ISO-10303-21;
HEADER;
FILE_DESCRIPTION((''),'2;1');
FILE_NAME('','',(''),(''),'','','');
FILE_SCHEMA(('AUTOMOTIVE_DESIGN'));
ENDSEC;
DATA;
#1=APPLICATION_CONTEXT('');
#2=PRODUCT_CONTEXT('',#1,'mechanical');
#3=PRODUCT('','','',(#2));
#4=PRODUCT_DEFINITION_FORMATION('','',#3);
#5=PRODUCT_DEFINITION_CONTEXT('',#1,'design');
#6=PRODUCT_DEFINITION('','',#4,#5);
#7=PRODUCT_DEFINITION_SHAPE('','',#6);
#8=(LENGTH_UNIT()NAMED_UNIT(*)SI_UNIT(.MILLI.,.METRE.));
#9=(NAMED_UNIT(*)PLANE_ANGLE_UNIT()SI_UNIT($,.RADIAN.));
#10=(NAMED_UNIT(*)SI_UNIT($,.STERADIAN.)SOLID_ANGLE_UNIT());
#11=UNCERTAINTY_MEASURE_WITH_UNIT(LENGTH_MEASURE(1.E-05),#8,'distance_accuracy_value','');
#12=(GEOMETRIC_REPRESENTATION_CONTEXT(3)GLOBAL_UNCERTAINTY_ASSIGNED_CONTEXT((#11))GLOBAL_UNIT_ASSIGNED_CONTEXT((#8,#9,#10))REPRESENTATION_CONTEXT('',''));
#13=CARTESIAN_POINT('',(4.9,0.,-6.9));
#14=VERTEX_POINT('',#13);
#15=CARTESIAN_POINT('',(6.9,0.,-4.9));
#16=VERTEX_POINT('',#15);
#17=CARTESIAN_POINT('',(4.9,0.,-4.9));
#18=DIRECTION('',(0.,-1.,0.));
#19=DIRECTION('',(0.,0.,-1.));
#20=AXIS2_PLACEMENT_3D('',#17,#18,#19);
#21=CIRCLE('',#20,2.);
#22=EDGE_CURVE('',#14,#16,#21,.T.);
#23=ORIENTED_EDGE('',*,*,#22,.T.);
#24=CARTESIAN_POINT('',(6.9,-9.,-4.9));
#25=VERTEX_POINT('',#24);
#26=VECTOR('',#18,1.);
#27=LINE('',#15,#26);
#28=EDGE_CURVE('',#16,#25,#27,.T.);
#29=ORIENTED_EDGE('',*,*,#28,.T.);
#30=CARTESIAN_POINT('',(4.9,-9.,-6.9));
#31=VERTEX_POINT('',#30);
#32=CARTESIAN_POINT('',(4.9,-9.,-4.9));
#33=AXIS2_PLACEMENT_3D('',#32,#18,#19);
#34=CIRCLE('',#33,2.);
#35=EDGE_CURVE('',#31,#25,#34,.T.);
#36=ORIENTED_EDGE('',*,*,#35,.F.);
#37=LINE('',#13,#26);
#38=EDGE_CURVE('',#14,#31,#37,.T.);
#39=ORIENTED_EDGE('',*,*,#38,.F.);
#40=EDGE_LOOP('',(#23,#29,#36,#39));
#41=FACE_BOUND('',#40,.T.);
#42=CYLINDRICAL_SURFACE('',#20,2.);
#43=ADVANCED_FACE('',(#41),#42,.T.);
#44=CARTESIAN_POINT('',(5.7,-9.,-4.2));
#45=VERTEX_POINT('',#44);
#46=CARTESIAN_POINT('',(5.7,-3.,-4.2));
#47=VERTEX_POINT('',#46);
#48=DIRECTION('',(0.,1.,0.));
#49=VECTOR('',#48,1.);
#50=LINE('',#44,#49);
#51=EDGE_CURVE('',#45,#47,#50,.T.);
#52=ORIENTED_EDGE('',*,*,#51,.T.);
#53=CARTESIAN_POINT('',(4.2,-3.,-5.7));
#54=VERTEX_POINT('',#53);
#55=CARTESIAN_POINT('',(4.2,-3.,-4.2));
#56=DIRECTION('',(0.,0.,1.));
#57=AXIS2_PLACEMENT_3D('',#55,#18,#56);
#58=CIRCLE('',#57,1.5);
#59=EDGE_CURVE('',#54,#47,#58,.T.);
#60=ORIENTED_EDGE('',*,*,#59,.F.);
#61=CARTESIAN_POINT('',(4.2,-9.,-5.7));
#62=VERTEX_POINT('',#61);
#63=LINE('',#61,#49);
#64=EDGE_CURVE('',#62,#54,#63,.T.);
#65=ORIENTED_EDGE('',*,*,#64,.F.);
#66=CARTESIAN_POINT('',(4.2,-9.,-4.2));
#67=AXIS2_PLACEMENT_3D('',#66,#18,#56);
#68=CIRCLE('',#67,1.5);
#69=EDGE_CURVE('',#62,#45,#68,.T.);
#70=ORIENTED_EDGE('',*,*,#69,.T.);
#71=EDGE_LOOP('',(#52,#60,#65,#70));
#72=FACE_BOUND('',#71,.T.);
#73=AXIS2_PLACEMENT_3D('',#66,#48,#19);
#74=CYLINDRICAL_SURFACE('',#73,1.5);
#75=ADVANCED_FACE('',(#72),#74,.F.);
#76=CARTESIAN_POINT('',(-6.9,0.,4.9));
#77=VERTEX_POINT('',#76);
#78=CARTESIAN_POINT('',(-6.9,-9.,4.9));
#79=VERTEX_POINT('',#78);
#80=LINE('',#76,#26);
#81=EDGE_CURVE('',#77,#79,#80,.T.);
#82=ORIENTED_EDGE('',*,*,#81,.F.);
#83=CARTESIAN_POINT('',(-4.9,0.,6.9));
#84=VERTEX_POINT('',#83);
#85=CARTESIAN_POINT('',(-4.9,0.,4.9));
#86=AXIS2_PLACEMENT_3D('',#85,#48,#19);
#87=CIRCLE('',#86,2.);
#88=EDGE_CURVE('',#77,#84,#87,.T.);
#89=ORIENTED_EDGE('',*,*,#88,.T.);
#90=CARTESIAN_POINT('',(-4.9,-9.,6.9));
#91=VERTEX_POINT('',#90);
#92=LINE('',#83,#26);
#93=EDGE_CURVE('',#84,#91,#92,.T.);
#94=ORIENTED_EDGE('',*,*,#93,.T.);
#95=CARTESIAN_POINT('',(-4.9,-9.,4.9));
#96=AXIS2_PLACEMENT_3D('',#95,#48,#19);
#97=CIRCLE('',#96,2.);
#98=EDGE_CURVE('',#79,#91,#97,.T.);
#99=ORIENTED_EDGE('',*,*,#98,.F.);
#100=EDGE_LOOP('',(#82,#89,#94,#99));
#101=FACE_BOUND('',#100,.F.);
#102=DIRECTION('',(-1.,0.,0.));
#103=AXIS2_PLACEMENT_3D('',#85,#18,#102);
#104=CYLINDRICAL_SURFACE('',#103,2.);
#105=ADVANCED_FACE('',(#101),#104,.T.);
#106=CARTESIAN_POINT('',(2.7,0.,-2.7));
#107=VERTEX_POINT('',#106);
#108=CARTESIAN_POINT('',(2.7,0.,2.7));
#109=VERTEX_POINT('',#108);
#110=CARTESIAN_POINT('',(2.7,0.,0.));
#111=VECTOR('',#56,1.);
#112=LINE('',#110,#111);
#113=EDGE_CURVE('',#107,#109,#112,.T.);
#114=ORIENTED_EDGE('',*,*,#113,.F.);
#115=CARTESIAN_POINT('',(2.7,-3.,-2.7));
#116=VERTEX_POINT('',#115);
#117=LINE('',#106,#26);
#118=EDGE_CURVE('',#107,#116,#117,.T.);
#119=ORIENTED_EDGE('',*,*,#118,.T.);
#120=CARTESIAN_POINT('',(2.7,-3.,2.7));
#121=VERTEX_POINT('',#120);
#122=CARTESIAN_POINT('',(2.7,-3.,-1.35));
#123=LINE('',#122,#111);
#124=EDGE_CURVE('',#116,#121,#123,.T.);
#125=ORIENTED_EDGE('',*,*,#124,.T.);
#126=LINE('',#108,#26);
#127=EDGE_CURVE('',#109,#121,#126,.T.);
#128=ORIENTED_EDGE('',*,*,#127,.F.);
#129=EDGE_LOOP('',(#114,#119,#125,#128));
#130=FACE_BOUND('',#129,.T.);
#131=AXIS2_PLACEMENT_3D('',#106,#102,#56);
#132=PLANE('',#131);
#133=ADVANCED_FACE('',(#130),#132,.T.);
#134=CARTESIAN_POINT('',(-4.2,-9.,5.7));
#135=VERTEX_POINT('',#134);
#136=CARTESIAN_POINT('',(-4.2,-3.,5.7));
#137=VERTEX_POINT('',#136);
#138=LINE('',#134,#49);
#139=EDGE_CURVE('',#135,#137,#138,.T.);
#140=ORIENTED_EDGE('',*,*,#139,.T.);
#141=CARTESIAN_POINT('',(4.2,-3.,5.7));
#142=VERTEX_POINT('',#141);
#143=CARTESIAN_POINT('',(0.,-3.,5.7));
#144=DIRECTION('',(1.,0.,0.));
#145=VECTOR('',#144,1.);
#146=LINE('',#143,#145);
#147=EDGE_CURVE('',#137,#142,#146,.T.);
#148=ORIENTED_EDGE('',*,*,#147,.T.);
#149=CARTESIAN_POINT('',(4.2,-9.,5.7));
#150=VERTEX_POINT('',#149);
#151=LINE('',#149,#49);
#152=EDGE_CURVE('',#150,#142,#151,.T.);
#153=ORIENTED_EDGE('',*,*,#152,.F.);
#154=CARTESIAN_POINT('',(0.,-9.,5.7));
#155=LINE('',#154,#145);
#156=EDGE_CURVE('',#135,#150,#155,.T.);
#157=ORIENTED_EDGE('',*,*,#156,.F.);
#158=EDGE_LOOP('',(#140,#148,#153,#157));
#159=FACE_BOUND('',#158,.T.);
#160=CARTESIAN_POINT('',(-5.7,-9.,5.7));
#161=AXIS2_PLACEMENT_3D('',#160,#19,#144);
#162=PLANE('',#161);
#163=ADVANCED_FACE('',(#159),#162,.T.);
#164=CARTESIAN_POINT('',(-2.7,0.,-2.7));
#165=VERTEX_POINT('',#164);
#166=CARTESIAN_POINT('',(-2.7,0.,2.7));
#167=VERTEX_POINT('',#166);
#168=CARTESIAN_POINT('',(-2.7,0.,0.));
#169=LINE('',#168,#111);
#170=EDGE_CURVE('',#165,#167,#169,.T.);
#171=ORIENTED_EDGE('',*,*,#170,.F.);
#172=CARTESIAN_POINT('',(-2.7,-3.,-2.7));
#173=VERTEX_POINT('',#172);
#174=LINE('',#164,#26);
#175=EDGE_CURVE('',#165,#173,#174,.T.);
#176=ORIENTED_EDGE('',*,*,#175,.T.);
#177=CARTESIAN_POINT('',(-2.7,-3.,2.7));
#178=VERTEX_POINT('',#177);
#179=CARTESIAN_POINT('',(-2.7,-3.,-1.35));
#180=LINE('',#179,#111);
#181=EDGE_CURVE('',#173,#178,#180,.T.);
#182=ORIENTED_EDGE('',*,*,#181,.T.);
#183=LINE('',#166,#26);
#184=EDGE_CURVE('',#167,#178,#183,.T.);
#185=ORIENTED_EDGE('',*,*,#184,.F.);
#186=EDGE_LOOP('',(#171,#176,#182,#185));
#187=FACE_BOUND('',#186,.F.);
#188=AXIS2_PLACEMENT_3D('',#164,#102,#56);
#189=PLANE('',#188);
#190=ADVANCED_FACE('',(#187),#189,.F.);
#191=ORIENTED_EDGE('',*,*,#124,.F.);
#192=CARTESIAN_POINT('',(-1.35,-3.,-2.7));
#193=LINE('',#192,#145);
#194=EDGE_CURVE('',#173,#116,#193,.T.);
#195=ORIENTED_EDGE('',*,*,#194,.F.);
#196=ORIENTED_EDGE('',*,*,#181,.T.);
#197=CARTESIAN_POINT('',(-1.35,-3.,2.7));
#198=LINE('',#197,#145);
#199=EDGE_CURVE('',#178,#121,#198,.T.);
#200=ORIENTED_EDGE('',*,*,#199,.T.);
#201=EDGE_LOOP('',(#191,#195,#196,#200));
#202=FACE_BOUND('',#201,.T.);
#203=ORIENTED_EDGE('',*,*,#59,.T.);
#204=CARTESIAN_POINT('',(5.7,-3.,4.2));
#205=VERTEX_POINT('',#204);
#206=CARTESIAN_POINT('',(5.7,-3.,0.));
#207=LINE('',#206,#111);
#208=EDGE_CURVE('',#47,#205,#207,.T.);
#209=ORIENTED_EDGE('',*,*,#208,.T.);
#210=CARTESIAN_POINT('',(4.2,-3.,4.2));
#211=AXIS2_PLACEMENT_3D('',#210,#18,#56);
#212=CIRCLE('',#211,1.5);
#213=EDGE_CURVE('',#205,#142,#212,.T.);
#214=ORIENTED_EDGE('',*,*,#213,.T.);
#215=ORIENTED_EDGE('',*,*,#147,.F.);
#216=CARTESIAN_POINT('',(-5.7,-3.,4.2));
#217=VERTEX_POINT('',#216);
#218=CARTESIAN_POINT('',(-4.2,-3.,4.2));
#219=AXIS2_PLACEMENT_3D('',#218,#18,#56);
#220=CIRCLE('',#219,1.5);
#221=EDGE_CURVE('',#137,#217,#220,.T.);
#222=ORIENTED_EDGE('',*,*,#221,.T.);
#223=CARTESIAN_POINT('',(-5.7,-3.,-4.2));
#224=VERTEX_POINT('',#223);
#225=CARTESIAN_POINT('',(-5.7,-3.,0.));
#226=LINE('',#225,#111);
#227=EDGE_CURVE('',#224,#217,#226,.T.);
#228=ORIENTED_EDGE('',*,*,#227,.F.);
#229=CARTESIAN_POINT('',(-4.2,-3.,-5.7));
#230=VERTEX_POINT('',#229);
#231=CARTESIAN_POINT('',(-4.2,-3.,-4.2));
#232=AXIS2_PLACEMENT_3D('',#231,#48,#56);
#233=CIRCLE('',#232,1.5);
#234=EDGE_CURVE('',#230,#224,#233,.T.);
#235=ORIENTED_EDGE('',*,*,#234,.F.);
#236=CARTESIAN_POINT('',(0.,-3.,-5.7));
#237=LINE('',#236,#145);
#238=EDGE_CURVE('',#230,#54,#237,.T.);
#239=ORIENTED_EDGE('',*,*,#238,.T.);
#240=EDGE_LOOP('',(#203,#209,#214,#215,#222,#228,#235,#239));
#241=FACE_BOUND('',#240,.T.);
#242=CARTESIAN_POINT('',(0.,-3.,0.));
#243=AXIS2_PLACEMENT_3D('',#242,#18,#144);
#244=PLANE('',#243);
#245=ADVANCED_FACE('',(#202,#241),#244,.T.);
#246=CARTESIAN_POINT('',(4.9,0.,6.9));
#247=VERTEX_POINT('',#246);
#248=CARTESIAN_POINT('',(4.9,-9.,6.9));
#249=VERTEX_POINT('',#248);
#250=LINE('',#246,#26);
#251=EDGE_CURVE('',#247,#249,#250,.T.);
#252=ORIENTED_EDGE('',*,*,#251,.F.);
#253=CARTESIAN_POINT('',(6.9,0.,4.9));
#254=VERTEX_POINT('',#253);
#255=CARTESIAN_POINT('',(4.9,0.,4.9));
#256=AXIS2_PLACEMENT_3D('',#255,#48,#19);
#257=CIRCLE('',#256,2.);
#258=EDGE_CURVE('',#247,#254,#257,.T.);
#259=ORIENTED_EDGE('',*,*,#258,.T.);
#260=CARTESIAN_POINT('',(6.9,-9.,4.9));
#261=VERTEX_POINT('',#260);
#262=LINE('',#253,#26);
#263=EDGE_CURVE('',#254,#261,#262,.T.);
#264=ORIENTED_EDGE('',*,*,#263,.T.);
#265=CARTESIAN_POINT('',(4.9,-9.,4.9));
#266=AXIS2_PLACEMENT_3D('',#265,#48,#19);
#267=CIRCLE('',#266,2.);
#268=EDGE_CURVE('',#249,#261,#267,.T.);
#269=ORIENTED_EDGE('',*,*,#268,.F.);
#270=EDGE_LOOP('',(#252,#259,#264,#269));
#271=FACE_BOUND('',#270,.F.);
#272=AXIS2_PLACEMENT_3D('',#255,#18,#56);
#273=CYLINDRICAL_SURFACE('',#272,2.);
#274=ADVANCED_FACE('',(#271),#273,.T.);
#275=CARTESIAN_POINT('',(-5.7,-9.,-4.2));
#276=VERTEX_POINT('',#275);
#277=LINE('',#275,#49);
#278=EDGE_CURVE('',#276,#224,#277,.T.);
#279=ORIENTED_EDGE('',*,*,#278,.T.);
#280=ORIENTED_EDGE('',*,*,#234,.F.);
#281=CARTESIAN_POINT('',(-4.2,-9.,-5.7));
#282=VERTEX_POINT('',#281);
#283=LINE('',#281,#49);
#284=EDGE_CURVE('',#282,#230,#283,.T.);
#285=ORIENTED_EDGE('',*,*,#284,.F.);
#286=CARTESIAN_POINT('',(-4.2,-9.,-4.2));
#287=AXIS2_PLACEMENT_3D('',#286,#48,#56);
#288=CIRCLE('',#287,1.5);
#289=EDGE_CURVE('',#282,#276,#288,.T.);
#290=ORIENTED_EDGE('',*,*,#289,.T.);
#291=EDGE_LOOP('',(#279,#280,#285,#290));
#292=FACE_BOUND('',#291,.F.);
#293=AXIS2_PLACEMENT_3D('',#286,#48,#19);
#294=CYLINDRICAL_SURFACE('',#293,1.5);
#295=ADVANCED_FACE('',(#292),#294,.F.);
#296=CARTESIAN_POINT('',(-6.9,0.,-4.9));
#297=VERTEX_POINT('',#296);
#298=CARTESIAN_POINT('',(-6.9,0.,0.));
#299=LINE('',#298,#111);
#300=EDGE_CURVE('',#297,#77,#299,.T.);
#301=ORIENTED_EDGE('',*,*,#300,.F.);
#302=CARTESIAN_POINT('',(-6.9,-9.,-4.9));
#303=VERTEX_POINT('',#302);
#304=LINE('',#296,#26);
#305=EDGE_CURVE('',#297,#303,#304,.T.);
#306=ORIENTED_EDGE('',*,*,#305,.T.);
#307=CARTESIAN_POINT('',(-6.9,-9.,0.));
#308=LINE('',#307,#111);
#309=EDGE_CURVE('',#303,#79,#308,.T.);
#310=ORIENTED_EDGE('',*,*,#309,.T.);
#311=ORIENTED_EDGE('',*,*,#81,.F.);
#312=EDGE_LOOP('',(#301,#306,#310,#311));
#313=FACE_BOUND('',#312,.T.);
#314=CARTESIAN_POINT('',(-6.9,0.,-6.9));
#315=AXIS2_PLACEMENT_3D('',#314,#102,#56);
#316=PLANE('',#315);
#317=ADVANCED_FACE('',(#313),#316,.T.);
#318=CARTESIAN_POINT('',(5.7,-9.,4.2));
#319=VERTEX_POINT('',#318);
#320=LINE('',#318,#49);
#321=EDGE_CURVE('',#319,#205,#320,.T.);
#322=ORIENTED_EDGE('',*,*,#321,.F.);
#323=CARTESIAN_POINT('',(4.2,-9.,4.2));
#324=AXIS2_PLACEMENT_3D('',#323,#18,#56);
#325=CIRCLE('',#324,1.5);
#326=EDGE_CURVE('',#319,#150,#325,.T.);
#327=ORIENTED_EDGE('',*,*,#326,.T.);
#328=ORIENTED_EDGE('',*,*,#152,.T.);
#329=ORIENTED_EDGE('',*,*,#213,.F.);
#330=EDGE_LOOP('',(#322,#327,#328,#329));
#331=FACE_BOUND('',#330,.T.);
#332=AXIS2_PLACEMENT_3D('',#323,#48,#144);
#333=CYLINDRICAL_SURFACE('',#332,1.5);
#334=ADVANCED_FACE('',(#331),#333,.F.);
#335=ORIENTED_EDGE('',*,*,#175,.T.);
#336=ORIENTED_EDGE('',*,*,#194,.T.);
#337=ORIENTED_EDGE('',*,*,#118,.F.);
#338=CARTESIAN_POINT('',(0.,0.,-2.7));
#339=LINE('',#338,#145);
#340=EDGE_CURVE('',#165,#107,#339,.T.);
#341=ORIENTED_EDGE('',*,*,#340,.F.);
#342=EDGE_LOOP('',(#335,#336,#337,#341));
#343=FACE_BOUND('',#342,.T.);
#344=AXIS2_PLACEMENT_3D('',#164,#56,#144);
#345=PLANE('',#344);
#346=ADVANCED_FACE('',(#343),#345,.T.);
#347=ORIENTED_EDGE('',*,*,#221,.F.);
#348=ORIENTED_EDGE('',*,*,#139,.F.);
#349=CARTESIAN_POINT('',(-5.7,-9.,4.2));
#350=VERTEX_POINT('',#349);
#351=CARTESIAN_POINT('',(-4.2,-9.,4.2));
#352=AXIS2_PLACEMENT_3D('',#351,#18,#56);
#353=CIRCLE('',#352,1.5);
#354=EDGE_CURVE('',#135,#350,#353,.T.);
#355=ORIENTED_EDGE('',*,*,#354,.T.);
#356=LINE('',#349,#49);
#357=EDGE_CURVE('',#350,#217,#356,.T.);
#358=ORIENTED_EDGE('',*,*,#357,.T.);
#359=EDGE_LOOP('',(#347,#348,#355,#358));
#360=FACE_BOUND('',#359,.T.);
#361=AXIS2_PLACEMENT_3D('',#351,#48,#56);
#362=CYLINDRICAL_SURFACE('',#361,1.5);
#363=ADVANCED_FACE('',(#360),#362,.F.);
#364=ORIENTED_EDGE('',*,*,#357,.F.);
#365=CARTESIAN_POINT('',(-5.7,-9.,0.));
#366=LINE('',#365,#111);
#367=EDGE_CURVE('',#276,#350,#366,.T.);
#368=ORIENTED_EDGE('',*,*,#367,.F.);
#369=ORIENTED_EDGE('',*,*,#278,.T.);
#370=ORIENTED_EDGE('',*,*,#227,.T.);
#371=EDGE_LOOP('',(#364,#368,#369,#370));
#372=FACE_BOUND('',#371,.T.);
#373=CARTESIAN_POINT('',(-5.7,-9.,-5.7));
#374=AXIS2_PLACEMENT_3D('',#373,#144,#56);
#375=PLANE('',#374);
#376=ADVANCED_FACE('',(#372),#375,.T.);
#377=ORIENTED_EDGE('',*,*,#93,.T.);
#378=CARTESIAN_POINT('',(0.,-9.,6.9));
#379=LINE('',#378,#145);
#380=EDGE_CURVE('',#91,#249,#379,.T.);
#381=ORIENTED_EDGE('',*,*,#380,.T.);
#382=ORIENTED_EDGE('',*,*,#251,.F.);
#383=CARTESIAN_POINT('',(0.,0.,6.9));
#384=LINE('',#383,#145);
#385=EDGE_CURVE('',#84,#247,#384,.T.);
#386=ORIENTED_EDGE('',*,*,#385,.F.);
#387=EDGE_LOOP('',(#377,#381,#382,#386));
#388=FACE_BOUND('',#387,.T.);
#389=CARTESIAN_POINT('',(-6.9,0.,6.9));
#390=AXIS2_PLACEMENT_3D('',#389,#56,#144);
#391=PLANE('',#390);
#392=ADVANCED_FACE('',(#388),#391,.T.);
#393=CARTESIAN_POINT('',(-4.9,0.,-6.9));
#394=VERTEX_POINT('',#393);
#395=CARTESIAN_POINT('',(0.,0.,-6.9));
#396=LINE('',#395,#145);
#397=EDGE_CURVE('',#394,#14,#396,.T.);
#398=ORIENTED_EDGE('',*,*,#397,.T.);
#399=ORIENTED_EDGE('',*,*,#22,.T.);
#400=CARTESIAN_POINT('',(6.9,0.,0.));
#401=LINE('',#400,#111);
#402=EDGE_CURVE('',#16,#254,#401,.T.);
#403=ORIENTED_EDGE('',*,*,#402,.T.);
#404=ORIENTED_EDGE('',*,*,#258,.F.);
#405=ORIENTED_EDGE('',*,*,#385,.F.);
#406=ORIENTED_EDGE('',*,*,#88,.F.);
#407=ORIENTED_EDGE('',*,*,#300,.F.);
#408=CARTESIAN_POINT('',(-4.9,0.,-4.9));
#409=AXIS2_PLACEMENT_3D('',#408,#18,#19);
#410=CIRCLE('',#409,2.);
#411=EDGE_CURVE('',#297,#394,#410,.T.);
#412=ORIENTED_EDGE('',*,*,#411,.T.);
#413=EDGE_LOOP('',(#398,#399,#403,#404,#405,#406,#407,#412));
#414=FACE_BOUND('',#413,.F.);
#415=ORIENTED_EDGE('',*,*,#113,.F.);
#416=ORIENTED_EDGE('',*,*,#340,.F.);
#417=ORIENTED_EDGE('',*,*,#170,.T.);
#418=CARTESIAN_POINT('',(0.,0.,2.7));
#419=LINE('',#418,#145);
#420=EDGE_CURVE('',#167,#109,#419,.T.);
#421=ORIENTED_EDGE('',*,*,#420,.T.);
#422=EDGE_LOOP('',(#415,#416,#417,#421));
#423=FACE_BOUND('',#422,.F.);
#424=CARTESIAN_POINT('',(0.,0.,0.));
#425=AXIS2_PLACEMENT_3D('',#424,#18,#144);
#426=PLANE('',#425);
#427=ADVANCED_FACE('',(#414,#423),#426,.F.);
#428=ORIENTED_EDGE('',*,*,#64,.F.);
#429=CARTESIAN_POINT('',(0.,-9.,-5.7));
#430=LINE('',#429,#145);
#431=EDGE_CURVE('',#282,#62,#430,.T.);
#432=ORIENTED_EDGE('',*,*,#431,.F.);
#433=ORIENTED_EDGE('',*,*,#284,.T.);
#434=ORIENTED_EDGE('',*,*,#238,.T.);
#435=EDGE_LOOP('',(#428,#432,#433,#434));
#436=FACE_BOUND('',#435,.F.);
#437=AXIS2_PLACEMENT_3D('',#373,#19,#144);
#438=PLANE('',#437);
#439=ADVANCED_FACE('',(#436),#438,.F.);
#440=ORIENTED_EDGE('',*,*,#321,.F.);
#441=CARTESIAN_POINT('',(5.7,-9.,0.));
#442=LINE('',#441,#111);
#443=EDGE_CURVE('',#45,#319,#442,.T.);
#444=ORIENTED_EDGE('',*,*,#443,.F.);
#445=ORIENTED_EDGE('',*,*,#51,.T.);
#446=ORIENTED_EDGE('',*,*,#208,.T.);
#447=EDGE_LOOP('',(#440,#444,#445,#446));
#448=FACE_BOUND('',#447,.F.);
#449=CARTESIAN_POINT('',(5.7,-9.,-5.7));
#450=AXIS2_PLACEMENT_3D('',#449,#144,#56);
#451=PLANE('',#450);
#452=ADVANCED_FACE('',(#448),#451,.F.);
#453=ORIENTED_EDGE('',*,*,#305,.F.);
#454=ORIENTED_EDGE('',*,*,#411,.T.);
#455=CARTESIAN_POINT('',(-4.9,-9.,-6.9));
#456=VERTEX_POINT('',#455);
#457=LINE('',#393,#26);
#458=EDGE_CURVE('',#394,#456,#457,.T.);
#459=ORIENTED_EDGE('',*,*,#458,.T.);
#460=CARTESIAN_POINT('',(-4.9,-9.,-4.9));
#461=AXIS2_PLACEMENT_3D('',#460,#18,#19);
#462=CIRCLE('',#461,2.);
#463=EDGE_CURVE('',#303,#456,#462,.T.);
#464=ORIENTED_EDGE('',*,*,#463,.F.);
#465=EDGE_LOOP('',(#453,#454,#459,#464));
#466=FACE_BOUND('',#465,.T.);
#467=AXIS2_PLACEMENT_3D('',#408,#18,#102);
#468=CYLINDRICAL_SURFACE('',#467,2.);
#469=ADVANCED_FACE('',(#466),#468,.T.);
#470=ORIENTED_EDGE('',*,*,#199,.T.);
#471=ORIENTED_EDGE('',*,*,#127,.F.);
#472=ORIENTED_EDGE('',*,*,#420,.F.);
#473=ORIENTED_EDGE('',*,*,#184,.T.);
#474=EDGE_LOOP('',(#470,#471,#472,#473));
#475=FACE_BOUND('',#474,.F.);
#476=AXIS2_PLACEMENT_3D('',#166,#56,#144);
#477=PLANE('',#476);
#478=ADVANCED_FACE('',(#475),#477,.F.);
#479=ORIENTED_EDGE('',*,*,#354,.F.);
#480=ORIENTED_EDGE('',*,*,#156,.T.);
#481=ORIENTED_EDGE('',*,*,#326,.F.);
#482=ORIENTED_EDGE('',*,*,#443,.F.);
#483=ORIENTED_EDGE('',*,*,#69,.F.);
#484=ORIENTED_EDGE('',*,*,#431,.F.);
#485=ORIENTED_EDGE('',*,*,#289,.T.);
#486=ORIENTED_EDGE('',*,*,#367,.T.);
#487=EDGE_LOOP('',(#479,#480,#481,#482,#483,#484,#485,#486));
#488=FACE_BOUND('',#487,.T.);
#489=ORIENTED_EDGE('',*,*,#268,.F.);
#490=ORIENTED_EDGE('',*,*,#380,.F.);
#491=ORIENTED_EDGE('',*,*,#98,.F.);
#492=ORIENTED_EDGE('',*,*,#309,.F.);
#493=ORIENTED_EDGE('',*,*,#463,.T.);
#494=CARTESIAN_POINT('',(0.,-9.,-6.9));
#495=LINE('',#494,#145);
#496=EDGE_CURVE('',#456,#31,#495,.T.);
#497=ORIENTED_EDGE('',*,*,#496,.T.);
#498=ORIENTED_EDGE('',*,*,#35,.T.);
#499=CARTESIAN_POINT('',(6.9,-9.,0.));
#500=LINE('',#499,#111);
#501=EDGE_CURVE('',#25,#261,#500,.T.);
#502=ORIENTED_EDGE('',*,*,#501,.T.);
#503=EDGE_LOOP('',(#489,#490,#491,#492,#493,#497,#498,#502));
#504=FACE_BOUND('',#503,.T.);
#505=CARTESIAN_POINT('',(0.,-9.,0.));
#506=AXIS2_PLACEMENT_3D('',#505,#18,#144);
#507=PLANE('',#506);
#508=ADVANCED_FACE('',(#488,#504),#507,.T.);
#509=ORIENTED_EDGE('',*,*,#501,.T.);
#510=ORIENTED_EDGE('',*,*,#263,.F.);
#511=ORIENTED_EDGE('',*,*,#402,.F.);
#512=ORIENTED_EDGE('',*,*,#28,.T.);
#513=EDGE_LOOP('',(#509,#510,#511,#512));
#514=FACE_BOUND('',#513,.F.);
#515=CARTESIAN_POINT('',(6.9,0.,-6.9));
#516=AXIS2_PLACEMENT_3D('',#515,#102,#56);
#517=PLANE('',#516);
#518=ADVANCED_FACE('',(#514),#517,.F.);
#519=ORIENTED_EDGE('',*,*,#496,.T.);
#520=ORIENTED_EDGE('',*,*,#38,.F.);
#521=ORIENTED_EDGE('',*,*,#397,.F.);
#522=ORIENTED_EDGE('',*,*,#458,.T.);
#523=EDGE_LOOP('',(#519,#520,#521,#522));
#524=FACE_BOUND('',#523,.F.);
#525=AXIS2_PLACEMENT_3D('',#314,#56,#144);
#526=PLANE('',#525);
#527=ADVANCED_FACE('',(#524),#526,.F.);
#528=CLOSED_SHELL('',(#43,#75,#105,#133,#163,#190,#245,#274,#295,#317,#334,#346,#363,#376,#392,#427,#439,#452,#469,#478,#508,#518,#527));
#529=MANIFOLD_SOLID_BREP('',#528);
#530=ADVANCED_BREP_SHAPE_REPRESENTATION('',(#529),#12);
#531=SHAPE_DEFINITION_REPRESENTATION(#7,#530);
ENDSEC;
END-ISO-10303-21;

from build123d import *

# Parameters (mm, degrees)
F0_W     = 13.8
F0_H     = 13.8
F1_DEPTH = 9
F2_W     = 5.4
F2_H     = 5.4
F3_DEPTH = 9.001
F4_W     = 11.4
F4_H     = 11.4
F5_DEPTH = 6
F6_R     = 2
F7_R     = 1.5


with BuildPart() as f1:
    # F0 (on Front) → F1 (new body)
    with BuildSketch(Plane.XZ):
        Rectangle(F0_W, F0_H)
    extrude(amount=F1_DEPTH)

    # F2 (on Front) → F3 (cut, through all)
    with BuildSketch(Plane.XZ):
        Rectangle(F2_W, F2_H)
    extrude(amount=F3_DEPTH, mode=Mode.SUBTRACT)

    # F4 (on face) → F5 (cut)
    with BuildSketch(Plane.XZ.offset(9)):
        Rectangle(F4_W, F4_H)
    extrude(amount=-F5_DEPTH, mode=Mode.SUBTRACT)

    # F6
    f6_edges = [f1.edges().sort_by_distance(p)[0] for p in [
        (-6.9, -4.5, 6.9),
        (-6.9, -4.5, -6.9),
        (6.9, -4.5, 6.9),
        (6.9, -4.5, -6.9),
    ]]
    fillet(f6_edges, radius=F6_R)

    # F7
    f7_edges = [f1.edges().sort_by_distance(p)[0] for p in [
        (-5.7, -6, 5.7),
        (5.7, -6, 5.7),
        (-5.7, -6, -5.7),
        (5.7, -6, -5.7),
    ]]
    fillet(f7_edges, radius=F7_R)


solid = f1.part
